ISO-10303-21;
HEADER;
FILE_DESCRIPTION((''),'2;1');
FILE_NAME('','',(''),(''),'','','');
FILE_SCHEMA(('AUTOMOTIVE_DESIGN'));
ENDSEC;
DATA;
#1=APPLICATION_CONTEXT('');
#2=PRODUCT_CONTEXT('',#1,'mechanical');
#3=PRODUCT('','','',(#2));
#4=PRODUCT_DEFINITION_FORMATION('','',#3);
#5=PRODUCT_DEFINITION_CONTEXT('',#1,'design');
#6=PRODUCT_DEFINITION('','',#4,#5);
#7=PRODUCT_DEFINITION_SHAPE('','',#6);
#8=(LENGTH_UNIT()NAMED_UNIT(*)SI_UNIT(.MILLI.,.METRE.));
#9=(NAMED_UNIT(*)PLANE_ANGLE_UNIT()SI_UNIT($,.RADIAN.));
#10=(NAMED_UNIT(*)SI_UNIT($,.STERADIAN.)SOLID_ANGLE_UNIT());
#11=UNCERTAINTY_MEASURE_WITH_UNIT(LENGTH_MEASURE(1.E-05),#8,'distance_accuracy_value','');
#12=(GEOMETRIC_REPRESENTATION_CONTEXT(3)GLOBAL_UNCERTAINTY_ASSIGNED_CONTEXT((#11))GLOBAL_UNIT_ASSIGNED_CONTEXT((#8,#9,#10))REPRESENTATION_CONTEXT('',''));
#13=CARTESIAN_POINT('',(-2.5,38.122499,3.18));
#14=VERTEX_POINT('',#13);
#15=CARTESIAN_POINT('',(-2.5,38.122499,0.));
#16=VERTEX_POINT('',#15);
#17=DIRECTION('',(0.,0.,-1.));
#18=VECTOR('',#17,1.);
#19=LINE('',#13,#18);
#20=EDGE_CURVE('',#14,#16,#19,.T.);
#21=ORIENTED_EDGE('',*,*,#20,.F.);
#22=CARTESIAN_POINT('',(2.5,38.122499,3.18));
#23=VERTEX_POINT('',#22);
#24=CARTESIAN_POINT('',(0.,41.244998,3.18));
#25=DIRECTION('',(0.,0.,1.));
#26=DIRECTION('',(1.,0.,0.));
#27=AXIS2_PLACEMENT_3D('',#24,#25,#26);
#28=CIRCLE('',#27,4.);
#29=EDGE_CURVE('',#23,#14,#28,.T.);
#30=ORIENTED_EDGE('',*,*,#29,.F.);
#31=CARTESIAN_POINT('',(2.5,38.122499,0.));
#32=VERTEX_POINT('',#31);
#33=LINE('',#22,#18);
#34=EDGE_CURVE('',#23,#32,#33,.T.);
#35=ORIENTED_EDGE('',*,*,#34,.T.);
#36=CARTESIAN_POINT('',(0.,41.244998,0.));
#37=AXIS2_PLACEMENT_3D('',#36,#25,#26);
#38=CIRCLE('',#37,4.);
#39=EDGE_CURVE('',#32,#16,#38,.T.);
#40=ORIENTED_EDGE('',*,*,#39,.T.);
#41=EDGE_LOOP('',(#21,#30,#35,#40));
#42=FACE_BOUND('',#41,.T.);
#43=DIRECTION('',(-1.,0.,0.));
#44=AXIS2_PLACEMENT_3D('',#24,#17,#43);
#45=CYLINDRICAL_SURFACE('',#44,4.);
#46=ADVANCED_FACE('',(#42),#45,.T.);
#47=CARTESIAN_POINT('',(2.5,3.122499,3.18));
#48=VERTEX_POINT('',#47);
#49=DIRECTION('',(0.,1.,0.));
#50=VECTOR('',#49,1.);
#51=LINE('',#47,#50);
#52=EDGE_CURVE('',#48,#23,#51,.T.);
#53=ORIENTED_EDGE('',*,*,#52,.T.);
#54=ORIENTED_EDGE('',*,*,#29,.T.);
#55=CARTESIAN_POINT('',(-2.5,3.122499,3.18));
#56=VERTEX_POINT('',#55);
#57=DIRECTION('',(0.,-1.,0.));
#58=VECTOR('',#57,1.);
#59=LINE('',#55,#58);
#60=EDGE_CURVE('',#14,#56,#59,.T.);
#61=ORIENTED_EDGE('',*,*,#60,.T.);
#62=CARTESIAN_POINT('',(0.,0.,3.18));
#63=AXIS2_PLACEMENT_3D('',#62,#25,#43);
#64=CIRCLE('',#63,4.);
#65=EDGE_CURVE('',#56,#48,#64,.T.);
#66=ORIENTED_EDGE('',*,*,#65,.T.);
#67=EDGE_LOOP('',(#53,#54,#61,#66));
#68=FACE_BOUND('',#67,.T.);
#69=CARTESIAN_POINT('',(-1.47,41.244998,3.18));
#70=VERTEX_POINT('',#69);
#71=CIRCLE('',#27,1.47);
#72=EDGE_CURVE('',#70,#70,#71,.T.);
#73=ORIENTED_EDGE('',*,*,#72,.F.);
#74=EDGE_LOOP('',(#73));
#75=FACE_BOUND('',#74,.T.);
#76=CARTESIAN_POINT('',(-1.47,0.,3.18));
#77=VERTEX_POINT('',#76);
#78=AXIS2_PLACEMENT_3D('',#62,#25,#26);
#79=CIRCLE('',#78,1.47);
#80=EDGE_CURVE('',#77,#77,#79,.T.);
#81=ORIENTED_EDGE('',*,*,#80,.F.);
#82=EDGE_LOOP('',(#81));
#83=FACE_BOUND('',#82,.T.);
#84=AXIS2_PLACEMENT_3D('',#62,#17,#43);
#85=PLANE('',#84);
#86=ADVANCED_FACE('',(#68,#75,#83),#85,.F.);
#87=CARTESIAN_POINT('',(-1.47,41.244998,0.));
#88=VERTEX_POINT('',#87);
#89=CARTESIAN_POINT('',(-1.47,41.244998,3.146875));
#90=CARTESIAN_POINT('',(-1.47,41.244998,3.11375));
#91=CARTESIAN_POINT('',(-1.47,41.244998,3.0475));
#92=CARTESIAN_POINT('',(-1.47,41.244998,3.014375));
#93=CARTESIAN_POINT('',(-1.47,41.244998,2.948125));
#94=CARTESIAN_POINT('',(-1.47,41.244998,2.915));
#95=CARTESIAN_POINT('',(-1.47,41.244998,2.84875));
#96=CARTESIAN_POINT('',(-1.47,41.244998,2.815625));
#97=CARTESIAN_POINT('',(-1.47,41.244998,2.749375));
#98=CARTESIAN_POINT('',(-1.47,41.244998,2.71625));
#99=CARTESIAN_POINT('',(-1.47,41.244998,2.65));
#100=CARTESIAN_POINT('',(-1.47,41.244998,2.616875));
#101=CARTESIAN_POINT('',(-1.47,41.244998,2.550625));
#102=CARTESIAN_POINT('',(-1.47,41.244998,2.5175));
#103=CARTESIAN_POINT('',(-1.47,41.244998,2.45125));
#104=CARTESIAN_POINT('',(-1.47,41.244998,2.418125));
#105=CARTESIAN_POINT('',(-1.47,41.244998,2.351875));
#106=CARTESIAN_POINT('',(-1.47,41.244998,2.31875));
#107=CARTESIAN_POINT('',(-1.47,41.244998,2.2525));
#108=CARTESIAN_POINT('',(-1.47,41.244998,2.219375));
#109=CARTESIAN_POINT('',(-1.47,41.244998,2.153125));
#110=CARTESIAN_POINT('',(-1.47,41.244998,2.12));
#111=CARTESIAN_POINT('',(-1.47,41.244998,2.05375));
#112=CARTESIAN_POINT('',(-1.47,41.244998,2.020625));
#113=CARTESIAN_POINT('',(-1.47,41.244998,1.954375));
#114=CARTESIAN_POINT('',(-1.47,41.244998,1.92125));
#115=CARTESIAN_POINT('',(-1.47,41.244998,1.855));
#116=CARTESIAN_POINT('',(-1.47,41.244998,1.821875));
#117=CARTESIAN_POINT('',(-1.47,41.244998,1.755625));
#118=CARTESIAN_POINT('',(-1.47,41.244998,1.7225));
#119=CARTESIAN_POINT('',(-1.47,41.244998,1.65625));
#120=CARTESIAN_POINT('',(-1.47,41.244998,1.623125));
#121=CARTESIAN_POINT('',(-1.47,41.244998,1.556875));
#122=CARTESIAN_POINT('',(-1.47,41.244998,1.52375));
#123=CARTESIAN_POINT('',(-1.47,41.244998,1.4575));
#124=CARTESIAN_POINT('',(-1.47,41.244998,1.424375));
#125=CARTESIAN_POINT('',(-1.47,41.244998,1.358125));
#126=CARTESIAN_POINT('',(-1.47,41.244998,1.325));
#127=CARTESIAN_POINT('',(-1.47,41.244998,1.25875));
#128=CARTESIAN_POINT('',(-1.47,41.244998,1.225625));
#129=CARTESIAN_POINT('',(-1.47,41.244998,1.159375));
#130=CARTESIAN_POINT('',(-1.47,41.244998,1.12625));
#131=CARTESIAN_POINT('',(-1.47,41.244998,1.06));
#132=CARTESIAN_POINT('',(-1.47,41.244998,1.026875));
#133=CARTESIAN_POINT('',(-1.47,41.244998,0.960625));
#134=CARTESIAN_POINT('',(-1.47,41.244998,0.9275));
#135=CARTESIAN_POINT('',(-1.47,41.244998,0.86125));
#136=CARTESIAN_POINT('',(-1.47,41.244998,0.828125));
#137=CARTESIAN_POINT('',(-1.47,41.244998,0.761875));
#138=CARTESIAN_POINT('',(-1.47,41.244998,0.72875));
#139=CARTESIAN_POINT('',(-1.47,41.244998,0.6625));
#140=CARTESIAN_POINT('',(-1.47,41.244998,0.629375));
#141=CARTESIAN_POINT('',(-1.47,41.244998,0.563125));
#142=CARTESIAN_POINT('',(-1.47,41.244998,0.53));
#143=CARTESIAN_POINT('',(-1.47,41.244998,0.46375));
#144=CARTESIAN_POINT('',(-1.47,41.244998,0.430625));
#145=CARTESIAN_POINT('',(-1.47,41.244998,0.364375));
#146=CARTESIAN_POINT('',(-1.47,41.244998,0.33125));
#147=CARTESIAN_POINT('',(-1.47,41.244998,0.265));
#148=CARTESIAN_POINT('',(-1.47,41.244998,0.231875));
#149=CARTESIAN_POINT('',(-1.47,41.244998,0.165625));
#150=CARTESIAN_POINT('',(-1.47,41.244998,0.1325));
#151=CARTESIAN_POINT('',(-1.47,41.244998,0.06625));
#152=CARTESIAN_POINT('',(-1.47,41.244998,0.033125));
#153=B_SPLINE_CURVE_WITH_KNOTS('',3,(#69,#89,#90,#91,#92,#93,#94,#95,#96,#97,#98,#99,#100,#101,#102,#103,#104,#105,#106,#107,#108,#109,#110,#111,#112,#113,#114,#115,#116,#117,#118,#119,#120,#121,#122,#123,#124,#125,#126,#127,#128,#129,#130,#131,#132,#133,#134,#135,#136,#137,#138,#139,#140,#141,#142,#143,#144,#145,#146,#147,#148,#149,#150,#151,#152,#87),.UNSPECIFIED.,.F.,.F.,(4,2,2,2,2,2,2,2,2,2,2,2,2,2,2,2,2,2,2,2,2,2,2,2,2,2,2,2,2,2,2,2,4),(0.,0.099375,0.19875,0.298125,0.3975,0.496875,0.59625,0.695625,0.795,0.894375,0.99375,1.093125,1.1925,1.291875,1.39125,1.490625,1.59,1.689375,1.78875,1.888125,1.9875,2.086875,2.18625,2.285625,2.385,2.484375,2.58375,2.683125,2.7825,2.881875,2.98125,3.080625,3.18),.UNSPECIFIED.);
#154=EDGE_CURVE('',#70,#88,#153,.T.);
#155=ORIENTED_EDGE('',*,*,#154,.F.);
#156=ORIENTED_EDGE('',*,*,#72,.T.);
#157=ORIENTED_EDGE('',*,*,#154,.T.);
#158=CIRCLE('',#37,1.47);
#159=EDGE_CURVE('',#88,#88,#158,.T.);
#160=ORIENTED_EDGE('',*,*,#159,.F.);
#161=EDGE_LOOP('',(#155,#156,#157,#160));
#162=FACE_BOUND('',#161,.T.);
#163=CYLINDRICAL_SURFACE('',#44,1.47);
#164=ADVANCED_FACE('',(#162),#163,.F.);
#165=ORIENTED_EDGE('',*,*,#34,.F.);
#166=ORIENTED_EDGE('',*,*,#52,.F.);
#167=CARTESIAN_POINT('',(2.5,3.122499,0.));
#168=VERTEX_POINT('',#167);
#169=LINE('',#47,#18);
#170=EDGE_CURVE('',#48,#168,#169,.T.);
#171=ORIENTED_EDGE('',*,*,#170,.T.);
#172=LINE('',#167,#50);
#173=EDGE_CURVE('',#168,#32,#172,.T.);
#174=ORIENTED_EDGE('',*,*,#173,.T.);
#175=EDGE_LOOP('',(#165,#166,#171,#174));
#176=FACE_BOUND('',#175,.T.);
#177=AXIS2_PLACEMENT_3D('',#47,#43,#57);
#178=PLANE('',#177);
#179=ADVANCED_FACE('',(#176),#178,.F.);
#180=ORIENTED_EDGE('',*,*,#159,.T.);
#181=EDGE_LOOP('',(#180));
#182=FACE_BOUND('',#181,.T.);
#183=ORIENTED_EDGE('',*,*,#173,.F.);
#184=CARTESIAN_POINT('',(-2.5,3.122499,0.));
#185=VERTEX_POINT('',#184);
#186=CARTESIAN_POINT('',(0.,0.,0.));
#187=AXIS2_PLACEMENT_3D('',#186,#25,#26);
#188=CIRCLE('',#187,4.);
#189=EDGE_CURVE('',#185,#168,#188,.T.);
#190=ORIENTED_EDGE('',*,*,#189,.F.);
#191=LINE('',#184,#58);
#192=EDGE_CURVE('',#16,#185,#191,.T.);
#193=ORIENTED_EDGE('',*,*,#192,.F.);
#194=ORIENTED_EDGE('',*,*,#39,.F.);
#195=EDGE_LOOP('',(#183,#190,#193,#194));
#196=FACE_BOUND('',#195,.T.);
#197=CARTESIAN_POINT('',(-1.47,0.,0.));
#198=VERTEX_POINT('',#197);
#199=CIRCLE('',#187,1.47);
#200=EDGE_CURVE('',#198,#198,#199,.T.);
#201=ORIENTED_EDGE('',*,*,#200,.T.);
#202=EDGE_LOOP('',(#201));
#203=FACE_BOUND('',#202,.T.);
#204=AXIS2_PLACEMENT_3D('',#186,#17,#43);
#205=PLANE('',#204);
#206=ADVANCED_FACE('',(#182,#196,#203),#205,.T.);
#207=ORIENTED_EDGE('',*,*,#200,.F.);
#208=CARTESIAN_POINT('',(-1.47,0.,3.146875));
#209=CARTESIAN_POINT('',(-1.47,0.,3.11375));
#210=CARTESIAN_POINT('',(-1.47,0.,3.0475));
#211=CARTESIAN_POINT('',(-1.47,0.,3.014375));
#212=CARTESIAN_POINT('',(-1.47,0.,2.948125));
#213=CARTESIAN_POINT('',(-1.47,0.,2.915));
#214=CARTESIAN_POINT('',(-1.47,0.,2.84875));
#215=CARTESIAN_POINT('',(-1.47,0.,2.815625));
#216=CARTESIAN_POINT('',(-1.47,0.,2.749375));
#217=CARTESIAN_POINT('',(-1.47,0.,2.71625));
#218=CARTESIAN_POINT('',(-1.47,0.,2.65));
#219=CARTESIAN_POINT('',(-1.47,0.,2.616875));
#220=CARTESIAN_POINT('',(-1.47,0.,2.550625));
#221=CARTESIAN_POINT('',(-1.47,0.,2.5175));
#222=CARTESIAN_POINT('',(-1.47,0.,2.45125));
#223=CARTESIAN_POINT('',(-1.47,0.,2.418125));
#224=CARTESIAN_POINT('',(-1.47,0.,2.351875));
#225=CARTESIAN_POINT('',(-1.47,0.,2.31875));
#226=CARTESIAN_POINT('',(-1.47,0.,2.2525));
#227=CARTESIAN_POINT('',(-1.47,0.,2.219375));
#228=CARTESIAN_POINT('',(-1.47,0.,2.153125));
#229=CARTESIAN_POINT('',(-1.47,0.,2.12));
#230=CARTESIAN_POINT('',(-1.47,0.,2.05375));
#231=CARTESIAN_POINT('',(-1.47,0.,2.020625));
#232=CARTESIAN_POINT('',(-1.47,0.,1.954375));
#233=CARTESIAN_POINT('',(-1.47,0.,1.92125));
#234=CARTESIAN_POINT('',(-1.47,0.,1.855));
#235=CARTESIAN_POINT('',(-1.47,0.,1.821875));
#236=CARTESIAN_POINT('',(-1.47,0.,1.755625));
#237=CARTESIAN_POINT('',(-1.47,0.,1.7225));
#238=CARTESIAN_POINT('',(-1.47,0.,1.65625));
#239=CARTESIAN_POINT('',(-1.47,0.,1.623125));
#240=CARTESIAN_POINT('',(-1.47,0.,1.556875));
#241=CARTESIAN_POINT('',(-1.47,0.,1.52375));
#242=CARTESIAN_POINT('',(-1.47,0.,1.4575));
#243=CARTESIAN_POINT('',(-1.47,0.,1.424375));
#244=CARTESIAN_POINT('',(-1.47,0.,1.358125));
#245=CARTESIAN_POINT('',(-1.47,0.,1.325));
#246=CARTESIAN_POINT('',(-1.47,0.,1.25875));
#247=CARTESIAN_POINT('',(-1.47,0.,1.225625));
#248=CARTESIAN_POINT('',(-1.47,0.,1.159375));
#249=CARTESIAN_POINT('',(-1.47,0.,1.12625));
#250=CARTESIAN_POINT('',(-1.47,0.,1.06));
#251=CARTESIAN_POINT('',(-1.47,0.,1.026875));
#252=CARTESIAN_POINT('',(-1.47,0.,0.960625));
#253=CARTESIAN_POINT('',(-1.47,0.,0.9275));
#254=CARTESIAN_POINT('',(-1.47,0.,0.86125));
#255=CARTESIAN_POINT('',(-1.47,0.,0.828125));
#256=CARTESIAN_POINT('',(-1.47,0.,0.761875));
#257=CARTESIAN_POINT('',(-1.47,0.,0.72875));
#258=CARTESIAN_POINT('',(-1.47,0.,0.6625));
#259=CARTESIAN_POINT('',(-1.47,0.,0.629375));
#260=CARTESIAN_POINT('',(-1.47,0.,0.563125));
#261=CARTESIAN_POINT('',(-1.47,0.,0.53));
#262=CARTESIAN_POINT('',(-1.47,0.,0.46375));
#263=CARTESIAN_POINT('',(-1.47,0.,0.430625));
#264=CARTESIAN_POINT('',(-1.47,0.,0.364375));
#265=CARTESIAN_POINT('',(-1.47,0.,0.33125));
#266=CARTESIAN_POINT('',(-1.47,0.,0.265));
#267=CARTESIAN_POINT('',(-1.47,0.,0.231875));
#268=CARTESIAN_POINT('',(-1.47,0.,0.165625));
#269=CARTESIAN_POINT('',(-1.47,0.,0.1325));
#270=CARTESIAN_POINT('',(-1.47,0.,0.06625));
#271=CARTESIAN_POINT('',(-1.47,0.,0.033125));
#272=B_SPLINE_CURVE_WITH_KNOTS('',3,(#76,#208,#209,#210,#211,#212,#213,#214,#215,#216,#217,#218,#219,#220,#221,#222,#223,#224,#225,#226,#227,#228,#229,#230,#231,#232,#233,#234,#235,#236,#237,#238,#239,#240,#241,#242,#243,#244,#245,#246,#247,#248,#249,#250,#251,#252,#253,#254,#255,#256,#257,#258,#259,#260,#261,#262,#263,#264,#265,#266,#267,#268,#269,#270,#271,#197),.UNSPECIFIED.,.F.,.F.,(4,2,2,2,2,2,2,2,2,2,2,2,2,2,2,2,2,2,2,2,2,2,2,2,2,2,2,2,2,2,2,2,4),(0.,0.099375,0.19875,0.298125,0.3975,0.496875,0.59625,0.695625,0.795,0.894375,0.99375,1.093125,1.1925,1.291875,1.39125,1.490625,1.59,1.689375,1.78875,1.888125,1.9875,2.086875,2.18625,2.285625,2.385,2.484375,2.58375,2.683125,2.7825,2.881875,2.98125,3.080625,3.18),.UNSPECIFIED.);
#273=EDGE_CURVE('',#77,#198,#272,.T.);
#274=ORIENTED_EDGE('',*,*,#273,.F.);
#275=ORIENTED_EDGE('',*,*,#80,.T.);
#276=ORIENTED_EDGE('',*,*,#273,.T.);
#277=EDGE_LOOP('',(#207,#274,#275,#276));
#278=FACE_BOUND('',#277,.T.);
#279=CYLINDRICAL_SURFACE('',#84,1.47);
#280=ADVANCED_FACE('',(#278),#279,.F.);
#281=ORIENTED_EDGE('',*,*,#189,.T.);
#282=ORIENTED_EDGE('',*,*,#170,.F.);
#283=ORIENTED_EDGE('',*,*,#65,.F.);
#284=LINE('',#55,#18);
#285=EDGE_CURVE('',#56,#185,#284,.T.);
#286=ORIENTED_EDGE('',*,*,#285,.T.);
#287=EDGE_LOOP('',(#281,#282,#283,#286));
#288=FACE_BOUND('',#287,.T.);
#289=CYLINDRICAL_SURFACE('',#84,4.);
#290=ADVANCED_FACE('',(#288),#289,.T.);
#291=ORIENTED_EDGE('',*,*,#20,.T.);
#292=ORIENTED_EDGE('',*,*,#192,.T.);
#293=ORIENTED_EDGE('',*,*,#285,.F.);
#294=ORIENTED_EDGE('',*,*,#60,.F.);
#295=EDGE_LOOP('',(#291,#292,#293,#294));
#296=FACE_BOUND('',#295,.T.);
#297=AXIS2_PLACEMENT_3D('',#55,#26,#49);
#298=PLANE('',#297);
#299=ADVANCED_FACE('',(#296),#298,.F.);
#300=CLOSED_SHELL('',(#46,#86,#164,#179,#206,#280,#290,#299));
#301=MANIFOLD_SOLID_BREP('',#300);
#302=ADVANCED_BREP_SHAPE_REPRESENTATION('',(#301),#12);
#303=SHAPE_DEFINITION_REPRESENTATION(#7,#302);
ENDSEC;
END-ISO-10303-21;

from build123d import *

# Parameters (mm, degrees)
SKETCH1_R           = 1.47
BOSS_EXTRUDE1_DEPTH = 3.18


with BuildPart() as part:
    # Sketch1 → Boss-Extrude1 (new body)
    with BuildSketch(Plane.XY):
        with BuildLine():
            Line((-2.5, 3.122498999), (-2.5, 38.122498999))
            ThreePointArc((-2.5, 38.122498999), (0, 45.244997998), (2.5, 38.122498999))
            Line((2.5, 38.122498999), (2.5, 3.122498999))
            ThreePointArc((2.5, 3.122498999), (3.097295968, 2.53115738), (3.557837147, 1.828057667))
            ThreePointArc((3.557837147, 1.828057667), (3.919871775, -0.796621158), (2.562060699, -3.071782052))
            ThreePointArc((2.562060699, -3.071782052), (-3.097295968, -2.53115738), (-2.5, 3.122498999))
        make_face()
        with Locations(Location((0, 41.244997998, 0), (0, 0, 180))):
            Circle(SKETCH1_R, mode=Mode.SUBTRACT)
        with Locations(Location((0, 0, 0), (0, 0, 180))):
            Circle(SKETCH1_R, mode=Mode.SUBTRACT)
    extrude(amount=BOSS_EXTRUDE1_DEPTH)


solid = part.part
